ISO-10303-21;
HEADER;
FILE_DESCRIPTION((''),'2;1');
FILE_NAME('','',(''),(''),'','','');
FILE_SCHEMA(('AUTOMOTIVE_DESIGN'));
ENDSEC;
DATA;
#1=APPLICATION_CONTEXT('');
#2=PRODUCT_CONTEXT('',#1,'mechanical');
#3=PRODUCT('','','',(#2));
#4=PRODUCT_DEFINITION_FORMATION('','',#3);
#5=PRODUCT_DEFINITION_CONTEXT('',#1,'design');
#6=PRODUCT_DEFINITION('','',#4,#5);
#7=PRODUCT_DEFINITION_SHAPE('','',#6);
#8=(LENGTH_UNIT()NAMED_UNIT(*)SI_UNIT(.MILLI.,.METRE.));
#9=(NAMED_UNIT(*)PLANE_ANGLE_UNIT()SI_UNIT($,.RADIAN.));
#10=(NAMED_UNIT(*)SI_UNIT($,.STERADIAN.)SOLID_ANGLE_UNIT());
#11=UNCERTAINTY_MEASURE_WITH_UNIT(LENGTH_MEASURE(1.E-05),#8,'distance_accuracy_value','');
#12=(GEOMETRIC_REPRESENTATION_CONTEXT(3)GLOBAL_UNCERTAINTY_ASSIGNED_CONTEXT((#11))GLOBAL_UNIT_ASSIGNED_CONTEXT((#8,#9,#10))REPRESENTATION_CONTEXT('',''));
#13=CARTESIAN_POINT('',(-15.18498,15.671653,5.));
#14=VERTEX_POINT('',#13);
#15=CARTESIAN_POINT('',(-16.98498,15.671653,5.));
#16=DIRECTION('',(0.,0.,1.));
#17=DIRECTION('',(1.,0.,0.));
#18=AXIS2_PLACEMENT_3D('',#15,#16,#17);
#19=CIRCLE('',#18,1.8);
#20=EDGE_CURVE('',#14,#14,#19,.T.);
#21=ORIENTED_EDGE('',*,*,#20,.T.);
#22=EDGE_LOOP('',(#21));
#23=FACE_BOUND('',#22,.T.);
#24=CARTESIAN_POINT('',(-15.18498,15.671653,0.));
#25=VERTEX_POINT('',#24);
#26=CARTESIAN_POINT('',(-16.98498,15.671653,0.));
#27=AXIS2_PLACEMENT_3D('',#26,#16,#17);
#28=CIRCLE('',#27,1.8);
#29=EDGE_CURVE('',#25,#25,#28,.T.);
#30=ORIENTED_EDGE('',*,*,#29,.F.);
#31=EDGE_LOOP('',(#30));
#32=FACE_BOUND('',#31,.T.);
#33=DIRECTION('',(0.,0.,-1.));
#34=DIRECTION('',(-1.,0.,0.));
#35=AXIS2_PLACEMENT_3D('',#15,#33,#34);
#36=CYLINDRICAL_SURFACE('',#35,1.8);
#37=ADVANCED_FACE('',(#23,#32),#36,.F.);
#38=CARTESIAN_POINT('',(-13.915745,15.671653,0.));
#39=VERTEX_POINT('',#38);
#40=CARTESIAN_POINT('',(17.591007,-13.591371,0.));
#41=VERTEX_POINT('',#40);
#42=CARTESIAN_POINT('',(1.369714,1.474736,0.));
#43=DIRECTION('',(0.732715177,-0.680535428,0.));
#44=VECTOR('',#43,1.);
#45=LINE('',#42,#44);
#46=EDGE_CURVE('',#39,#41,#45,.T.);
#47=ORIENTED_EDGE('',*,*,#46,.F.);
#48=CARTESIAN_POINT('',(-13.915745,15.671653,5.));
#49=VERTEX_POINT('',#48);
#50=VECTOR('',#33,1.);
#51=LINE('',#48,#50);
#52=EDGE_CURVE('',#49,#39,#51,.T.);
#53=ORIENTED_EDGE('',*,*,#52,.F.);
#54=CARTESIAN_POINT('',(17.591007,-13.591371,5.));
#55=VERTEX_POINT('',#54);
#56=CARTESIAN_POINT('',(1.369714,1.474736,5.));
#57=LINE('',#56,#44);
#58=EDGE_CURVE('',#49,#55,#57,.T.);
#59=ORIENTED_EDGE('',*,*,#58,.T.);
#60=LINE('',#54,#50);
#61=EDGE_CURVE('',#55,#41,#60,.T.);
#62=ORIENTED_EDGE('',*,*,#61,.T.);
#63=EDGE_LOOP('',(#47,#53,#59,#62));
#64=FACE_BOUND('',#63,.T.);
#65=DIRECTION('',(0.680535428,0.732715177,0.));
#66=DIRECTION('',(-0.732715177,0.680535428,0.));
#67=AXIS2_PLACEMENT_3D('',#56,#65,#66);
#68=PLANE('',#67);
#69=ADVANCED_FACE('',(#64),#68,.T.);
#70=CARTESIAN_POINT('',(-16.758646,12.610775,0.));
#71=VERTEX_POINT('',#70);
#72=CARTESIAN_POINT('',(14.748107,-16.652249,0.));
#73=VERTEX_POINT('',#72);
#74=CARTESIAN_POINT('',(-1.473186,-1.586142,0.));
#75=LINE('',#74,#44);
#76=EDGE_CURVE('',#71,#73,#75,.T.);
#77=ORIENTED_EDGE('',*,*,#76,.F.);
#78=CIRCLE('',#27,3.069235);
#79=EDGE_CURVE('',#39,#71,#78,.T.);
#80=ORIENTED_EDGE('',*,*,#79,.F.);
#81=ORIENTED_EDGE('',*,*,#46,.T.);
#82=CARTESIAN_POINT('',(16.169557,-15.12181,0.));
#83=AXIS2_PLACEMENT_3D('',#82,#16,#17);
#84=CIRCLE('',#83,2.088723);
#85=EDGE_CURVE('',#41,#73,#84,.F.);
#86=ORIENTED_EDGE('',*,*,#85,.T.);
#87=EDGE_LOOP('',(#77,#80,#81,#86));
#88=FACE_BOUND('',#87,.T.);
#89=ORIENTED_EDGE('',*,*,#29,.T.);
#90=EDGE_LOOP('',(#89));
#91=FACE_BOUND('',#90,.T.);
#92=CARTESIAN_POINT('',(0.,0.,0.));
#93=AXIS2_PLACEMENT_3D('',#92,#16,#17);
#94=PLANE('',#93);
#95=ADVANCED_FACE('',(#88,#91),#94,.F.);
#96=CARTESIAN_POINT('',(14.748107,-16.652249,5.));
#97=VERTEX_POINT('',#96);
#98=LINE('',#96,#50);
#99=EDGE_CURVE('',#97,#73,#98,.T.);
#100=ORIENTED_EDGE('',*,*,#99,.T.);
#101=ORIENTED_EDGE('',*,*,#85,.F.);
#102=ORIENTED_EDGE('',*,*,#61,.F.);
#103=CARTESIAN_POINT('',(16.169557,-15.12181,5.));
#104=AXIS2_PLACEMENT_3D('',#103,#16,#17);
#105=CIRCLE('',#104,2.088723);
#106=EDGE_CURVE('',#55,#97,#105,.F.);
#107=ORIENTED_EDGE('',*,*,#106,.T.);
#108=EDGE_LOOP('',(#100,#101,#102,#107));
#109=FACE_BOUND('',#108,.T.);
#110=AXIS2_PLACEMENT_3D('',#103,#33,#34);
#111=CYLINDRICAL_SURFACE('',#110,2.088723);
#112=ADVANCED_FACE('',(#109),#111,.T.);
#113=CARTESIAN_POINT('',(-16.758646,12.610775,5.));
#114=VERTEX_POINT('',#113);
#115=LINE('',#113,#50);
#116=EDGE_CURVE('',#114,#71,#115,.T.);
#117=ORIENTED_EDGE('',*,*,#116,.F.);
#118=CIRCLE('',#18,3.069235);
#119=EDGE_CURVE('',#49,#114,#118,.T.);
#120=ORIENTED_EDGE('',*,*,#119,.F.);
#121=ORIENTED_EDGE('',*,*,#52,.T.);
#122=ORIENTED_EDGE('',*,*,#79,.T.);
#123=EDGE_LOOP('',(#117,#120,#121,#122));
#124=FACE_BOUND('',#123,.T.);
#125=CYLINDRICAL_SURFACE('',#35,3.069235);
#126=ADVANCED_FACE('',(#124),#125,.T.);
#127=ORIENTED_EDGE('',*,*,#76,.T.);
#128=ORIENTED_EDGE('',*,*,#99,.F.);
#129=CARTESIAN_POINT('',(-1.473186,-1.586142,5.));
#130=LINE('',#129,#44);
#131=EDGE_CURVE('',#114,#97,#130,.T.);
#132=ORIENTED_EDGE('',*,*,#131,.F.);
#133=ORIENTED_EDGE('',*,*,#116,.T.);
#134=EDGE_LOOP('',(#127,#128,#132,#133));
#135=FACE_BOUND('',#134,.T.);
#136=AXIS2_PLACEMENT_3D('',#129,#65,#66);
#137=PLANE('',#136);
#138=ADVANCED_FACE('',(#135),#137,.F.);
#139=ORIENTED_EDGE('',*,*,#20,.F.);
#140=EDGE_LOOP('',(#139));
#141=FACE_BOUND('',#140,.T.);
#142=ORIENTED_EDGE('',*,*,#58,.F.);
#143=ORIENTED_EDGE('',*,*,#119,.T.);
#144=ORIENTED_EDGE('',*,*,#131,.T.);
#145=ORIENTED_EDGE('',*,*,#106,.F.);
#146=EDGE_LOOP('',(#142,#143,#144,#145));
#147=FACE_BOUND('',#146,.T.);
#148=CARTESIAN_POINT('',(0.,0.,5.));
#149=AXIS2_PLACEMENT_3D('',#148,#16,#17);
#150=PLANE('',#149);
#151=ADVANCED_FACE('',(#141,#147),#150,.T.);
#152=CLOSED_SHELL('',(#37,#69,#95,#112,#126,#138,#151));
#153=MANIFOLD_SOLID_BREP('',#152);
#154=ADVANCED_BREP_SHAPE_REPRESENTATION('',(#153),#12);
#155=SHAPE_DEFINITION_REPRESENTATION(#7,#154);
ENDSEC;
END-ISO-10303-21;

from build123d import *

# Parameters (mm, degrees)
ESQUISSE2_R        = 1.8
BOSS_EXTRU_2_DEPTH = 5


with BuildPart() as part:
    # Esquisse2 → Boss.-Extru.2 (new body)
    with BuildSketch(Plane.XY):
        with BuildLine():
            Line((17.591007248, -13.591370514), (-13.915745379, 15.671652893))
            ThreePointArc((-13.915745379, 15.671652893), (-14.736105314, 13.582929731), (-16.758645601, 12.610774569))
            Line((-16.758645601, 12.610774569), (14.748107026, -16.652248837))
            ThreePointArc((14.748107026, -16.652248837), (17.699996299, -16.543259786), (17.591007248, -13.591370514))
        make_face()
        with BuildLine():
            Line((-16.758645601, 12.610774569), (-20.0542154, 15.671652893))
            ThreePointArc((-20.0542154, 15.671652893), (-19.073703551, 13.422777818), (-16.758645601, 12.610774569))
        make_face()
        with BuildLine():
            ThreePointArc((-16.758645601, 12.610774569), (-14.736105314, 13.582929731), (-13.915745379, 15.671652893))
            ThreePointArc((-13.915745379, 15.671652893), (-16.984980389, 18.740887903), (-20.0542154, 15.671652893))
            Line((-20.0542154, 15.671652893), (-16.758645601, 12.610774569))
        make_face()
        with Locations((-16.984980389, 15.671652893)):
            Circle(ESQUISSE2_R, mode=Mode.SUBTRACT)
    extrude(amount=BOSS_EXTRU_2_DEPTH)


solid = part.part
